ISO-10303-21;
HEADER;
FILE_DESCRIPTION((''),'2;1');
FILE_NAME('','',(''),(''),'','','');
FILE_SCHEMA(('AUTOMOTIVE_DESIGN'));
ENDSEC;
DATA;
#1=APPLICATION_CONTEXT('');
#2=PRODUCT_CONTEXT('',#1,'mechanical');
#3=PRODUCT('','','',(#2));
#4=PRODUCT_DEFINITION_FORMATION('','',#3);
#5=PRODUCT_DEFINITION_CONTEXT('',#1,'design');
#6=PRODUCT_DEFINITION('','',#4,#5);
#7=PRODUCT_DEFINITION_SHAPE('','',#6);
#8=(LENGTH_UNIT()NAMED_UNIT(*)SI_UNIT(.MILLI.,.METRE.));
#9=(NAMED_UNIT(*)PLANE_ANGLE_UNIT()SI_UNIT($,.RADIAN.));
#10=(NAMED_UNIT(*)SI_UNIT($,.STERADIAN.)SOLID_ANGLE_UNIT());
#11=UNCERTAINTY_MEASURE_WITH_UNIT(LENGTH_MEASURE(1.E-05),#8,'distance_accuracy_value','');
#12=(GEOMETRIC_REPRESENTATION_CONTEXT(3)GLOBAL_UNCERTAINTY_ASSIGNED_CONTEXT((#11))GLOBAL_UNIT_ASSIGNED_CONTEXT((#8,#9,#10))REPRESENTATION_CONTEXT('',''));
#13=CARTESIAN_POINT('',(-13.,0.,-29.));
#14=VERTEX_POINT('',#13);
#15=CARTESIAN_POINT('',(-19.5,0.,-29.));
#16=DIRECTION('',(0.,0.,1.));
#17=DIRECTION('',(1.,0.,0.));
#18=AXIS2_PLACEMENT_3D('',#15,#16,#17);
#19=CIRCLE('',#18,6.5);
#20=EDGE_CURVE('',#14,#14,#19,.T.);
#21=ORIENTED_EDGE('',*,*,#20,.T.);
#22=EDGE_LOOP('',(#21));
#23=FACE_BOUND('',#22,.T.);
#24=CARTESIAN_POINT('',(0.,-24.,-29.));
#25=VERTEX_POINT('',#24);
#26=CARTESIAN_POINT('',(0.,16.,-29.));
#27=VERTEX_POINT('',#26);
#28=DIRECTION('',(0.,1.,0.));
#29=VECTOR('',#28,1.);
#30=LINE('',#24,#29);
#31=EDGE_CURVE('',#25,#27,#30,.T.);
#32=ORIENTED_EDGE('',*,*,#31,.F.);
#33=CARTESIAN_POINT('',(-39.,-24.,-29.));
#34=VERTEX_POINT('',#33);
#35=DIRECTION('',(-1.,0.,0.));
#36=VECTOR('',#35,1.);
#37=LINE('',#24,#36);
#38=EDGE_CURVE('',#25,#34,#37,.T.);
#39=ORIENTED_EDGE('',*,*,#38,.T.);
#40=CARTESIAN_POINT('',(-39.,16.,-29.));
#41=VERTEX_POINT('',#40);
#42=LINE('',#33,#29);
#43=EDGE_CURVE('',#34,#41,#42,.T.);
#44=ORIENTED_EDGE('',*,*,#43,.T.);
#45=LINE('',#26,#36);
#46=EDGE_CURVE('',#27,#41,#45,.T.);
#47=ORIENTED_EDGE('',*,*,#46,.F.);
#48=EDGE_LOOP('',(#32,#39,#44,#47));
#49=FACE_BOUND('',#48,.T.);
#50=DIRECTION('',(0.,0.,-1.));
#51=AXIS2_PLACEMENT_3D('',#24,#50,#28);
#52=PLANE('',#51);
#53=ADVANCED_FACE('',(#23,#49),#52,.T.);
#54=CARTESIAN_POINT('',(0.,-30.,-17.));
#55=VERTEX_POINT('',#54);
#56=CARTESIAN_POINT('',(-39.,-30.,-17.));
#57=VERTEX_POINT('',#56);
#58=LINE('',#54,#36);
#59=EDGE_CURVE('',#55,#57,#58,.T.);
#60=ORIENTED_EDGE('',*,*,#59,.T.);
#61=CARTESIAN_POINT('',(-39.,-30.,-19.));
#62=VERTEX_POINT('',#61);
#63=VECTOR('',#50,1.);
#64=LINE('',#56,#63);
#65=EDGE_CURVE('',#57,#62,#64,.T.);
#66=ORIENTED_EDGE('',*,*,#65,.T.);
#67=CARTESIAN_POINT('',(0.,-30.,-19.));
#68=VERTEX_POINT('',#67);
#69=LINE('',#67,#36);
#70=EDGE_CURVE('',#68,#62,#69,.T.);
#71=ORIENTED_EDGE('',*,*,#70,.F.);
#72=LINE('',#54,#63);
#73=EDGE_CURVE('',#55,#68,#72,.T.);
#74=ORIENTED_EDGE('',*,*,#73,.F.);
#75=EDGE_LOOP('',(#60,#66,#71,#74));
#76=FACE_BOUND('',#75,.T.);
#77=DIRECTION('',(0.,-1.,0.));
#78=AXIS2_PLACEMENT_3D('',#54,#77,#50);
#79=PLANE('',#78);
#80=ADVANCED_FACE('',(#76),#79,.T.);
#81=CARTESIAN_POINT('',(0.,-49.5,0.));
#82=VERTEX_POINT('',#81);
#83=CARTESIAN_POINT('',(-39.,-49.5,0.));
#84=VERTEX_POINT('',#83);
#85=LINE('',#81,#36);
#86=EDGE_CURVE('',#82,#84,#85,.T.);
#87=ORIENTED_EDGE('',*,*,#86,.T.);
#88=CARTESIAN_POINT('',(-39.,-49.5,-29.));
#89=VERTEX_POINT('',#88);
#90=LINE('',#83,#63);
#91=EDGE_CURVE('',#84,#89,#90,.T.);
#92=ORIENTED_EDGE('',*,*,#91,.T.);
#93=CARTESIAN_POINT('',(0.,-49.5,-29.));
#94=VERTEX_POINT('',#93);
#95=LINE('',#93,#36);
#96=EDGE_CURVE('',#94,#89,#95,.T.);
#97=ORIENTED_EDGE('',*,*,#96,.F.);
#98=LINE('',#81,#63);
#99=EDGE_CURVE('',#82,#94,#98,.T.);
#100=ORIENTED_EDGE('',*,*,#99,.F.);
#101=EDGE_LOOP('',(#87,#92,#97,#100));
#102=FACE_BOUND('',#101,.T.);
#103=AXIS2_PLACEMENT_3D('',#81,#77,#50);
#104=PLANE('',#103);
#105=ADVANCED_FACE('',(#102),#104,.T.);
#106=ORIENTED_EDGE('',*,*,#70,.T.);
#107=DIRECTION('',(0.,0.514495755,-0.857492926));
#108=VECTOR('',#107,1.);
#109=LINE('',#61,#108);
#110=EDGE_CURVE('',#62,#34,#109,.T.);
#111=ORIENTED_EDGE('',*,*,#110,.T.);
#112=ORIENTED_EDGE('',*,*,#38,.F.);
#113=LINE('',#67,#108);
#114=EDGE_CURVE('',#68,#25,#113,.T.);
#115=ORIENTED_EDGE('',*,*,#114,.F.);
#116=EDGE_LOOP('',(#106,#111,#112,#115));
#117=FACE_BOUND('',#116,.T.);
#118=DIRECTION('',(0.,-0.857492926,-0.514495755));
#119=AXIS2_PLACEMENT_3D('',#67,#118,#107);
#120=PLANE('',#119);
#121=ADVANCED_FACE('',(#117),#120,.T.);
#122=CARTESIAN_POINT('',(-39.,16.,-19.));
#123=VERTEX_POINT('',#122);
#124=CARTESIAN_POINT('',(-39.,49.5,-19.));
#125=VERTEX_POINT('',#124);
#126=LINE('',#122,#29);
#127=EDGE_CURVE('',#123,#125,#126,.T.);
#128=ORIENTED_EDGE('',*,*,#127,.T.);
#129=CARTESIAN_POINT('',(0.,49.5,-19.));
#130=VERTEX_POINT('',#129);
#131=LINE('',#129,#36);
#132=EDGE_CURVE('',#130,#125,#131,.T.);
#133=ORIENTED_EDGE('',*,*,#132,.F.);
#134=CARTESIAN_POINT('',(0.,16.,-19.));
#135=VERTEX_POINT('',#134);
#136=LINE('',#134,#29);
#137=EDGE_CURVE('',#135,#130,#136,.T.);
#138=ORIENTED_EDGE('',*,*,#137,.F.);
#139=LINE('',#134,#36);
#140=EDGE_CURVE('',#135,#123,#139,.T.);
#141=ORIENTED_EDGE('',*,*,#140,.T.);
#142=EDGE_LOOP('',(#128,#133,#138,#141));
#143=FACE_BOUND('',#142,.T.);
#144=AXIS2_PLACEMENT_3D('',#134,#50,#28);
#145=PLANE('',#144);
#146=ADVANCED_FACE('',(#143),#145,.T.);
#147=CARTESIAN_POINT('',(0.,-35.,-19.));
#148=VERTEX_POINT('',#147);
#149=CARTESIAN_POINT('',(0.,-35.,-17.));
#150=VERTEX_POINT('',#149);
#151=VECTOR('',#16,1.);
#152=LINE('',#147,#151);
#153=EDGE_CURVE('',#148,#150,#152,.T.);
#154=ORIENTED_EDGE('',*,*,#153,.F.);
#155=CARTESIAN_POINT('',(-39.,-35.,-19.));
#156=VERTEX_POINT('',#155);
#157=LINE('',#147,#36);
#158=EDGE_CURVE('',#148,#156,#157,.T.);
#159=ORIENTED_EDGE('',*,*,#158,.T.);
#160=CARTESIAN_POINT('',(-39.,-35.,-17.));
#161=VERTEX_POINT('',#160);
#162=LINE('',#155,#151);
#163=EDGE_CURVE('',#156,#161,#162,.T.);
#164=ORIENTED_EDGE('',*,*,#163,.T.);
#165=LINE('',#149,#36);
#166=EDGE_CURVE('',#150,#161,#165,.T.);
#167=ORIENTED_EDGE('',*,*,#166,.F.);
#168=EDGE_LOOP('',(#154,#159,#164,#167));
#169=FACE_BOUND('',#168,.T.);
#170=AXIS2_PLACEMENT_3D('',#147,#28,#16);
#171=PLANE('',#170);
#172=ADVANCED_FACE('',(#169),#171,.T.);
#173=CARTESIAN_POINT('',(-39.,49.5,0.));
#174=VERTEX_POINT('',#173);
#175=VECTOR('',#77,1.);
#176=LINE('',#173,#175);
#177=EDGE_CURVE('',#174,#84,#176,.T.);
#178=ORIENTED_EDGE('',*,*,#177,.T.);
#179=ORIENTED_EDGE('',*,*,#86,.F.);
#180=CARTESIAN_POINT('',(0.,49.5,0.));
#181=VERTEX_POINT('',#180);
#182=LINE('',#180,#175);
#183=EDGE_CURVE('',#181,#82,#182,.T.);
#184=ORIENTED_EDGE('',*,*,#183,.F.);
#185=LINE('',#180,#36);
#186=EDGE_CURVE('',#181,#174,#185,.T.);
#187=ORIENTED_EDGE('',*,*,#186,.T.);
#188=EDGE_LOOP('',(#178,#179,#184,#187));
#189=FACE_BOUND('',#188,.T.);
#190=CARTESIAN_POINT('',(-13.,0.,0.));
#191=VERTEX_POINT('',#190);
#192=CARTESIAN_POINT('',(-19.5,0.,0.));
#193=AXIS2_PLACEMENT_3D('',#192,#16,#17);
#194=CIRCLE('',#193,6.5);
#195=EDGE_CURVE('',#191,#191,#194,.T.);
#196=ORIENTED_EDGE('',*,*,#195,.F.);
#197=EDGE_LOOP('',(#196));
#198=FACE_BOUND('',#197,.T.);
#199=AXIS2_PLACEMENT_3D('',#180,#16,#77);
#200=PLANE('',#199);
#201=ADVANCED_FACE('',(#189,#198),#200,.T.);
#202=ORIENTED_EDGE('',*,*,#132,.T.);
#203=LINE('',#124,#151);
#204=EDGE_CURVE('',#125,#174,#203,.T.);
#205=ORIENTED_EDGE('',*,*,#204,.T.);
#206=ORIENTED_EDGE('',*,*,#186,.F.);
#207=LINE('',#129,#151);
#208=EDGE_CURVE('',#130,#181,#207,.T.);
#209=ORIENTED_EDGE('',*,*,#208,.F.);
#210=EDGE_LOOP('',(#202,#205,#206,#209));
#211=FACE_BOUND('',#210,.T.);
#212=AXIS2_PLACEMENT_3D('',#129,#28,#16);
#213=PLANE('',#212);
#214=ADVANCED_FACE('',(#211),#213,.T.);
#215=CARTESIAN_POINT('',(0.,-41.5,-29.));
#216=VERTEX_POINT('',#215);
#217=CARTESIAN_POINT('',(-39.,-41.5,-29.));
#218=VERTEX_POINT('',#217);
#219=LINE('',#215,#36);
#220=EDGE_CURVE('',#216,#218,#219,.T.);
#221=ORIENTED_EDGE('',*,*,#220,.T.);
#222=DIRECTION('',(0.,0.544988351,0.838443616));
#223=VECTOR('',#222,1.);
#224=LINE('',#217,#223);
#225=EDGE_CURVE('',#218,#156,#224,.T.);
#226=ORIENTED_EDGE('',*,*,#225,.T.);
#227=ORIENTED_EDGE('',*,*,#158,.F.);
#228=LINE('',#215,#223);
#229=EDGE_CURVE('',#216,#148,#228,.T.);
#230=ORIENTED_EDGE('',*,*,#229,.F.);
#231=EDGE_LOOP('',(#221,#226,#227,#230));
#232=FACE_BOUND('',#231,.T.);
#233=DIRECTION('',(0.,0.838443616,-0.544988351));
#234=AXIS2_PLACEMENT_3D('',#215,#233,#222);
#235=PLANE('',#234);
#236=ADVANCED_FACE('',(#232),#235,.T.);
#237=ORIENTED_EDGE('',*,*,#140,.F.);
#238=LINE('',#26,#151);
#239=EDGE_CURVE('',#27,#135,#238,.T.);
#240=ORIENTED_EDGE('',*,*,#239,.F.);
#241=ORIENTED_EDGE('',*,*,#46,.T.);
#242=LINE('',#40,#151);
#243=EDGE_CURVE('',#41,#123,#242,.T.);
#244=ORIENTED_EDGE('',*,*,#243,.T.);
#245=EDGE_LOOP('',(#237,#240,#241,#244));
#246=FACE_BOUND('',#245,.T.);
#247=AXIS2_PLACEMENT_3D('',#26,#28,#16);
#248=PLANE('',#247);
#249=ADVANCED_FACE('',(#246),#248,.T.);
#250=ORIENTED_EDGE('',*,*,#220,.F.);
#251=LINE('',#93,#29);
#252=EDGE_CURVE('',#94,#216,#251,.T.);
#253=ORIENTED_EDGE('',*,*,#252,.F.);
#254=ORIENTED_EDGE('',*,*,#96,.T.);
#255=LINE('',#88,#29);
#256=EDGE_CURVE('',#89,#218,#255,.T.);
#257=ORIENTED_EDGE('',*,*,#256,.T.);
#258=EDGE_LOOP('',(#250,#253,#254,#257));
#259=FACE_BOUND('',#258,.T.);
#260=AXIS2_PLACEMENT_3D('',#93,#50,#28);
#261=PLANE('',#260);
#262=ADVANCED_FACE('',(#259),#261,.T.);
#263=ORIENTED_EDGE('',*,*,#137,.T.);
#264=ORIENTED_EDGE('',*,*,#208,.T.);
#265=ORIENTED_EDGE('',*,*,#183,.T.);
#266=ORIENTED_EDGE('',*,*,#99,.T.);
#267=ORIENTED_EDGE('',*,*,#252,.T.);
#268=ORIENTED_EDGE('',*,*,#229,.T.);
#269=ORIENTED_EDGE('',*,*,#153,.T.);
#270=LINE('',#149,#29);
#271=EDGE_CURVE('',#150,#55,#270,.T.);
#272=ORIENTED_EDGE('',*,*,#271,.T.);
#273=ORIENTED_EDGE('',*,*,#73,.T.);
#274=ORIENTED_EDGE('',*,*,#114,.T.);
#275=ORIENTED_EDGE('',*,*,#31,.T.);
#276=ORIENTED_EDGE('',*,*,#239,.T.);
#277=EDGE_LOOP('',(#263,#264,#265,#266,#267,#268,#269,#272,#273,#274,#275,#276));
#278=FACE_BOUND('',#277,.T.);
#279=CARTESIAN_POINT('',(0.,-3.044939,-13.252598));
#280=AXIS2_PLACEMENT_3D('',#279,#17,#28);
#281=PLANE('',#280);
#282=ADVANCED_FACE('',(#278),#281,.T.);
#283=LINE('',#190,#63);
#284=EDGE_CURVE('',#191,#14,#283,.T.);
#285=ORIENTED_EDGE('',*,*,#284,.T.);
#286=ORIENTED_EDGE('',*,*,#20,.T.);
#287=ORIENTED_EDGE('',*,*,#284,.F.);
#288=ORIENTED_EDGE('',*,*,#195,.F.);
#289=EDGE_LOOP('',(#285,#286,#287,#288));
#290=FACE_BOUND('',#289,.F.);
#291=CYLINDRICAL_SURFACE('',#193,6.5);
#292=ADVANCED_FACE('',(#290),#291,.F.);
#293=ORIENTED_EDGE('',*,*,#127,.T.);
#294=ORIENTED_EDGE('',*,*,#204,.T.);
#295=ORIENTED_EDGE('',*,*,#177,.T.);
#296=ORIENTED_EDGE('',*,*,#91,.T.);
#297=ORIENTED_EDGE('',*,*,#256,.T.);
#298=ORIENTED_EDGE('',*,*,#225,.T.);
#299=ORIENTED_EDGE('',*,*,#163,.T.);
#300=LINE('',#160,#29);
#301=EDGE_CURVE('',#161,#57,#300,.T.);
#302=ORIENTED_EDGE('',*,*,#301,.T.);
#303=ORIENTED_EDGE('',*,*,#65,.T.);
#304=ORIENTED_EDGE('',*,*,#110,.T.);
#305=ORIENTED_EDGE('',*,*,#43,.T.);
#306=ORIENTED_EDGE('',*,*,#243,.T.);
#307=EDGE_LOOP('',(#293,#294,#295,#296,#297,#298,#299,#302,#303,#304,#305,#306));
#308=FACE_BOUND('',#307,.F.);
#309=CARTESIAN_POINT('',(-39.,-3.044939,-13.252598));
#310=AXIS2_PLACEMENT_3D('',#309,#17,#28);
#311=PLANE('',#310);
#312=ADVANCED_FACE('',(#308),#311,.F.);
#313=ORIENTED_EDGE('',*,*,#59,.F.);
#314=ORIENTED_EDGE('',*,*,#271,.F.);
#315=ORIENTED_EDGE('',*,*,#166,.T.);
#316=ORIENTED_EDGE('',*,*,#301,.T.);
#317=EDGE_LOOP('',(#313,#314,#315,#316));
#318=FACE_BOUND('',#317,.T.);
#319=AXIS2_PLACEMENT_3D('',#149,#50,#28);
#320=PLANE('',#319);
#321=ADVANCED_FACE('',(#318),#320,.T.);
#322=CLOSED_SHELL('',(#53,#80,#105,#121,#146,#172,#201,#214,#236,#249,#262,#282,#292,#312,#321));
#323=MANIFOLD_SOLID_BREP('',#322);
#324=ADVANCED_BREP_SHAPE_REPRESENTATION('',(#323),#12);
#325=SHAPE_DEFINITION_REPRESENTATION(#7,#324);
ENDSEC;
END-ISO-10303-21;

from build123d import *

# Parameters (mm, degrees)
F1_DEPTH = 39
F2_R     = 6.5
F3_DEPTH = 35


with BuildPart() as f1:
    # F0 (on Right) → F1 (new body)
    with BuildSketch(Plane.YZ):
        Polygon((49.5, 0), (0, 0), (-49.5, 0), (-49.5, -29), (-41.5, -29), (-35, -19), (-35, -17), (-30, -17), (-30, -19), (-24, -29), (16, -29), (16, -19), (49.5, -19), align=None)
    extrude(amount=-F1_DEPTH)

    # F2 (on Top) → F3 (cut)
    with BuildSketch(Plane.XY):
        with Locations((-19.5, 0)):
            Circle(F2_R)
    extrude(amount=-F3_DEPTH, mode=Mode.SUBTRACT)


solid = f1.part
